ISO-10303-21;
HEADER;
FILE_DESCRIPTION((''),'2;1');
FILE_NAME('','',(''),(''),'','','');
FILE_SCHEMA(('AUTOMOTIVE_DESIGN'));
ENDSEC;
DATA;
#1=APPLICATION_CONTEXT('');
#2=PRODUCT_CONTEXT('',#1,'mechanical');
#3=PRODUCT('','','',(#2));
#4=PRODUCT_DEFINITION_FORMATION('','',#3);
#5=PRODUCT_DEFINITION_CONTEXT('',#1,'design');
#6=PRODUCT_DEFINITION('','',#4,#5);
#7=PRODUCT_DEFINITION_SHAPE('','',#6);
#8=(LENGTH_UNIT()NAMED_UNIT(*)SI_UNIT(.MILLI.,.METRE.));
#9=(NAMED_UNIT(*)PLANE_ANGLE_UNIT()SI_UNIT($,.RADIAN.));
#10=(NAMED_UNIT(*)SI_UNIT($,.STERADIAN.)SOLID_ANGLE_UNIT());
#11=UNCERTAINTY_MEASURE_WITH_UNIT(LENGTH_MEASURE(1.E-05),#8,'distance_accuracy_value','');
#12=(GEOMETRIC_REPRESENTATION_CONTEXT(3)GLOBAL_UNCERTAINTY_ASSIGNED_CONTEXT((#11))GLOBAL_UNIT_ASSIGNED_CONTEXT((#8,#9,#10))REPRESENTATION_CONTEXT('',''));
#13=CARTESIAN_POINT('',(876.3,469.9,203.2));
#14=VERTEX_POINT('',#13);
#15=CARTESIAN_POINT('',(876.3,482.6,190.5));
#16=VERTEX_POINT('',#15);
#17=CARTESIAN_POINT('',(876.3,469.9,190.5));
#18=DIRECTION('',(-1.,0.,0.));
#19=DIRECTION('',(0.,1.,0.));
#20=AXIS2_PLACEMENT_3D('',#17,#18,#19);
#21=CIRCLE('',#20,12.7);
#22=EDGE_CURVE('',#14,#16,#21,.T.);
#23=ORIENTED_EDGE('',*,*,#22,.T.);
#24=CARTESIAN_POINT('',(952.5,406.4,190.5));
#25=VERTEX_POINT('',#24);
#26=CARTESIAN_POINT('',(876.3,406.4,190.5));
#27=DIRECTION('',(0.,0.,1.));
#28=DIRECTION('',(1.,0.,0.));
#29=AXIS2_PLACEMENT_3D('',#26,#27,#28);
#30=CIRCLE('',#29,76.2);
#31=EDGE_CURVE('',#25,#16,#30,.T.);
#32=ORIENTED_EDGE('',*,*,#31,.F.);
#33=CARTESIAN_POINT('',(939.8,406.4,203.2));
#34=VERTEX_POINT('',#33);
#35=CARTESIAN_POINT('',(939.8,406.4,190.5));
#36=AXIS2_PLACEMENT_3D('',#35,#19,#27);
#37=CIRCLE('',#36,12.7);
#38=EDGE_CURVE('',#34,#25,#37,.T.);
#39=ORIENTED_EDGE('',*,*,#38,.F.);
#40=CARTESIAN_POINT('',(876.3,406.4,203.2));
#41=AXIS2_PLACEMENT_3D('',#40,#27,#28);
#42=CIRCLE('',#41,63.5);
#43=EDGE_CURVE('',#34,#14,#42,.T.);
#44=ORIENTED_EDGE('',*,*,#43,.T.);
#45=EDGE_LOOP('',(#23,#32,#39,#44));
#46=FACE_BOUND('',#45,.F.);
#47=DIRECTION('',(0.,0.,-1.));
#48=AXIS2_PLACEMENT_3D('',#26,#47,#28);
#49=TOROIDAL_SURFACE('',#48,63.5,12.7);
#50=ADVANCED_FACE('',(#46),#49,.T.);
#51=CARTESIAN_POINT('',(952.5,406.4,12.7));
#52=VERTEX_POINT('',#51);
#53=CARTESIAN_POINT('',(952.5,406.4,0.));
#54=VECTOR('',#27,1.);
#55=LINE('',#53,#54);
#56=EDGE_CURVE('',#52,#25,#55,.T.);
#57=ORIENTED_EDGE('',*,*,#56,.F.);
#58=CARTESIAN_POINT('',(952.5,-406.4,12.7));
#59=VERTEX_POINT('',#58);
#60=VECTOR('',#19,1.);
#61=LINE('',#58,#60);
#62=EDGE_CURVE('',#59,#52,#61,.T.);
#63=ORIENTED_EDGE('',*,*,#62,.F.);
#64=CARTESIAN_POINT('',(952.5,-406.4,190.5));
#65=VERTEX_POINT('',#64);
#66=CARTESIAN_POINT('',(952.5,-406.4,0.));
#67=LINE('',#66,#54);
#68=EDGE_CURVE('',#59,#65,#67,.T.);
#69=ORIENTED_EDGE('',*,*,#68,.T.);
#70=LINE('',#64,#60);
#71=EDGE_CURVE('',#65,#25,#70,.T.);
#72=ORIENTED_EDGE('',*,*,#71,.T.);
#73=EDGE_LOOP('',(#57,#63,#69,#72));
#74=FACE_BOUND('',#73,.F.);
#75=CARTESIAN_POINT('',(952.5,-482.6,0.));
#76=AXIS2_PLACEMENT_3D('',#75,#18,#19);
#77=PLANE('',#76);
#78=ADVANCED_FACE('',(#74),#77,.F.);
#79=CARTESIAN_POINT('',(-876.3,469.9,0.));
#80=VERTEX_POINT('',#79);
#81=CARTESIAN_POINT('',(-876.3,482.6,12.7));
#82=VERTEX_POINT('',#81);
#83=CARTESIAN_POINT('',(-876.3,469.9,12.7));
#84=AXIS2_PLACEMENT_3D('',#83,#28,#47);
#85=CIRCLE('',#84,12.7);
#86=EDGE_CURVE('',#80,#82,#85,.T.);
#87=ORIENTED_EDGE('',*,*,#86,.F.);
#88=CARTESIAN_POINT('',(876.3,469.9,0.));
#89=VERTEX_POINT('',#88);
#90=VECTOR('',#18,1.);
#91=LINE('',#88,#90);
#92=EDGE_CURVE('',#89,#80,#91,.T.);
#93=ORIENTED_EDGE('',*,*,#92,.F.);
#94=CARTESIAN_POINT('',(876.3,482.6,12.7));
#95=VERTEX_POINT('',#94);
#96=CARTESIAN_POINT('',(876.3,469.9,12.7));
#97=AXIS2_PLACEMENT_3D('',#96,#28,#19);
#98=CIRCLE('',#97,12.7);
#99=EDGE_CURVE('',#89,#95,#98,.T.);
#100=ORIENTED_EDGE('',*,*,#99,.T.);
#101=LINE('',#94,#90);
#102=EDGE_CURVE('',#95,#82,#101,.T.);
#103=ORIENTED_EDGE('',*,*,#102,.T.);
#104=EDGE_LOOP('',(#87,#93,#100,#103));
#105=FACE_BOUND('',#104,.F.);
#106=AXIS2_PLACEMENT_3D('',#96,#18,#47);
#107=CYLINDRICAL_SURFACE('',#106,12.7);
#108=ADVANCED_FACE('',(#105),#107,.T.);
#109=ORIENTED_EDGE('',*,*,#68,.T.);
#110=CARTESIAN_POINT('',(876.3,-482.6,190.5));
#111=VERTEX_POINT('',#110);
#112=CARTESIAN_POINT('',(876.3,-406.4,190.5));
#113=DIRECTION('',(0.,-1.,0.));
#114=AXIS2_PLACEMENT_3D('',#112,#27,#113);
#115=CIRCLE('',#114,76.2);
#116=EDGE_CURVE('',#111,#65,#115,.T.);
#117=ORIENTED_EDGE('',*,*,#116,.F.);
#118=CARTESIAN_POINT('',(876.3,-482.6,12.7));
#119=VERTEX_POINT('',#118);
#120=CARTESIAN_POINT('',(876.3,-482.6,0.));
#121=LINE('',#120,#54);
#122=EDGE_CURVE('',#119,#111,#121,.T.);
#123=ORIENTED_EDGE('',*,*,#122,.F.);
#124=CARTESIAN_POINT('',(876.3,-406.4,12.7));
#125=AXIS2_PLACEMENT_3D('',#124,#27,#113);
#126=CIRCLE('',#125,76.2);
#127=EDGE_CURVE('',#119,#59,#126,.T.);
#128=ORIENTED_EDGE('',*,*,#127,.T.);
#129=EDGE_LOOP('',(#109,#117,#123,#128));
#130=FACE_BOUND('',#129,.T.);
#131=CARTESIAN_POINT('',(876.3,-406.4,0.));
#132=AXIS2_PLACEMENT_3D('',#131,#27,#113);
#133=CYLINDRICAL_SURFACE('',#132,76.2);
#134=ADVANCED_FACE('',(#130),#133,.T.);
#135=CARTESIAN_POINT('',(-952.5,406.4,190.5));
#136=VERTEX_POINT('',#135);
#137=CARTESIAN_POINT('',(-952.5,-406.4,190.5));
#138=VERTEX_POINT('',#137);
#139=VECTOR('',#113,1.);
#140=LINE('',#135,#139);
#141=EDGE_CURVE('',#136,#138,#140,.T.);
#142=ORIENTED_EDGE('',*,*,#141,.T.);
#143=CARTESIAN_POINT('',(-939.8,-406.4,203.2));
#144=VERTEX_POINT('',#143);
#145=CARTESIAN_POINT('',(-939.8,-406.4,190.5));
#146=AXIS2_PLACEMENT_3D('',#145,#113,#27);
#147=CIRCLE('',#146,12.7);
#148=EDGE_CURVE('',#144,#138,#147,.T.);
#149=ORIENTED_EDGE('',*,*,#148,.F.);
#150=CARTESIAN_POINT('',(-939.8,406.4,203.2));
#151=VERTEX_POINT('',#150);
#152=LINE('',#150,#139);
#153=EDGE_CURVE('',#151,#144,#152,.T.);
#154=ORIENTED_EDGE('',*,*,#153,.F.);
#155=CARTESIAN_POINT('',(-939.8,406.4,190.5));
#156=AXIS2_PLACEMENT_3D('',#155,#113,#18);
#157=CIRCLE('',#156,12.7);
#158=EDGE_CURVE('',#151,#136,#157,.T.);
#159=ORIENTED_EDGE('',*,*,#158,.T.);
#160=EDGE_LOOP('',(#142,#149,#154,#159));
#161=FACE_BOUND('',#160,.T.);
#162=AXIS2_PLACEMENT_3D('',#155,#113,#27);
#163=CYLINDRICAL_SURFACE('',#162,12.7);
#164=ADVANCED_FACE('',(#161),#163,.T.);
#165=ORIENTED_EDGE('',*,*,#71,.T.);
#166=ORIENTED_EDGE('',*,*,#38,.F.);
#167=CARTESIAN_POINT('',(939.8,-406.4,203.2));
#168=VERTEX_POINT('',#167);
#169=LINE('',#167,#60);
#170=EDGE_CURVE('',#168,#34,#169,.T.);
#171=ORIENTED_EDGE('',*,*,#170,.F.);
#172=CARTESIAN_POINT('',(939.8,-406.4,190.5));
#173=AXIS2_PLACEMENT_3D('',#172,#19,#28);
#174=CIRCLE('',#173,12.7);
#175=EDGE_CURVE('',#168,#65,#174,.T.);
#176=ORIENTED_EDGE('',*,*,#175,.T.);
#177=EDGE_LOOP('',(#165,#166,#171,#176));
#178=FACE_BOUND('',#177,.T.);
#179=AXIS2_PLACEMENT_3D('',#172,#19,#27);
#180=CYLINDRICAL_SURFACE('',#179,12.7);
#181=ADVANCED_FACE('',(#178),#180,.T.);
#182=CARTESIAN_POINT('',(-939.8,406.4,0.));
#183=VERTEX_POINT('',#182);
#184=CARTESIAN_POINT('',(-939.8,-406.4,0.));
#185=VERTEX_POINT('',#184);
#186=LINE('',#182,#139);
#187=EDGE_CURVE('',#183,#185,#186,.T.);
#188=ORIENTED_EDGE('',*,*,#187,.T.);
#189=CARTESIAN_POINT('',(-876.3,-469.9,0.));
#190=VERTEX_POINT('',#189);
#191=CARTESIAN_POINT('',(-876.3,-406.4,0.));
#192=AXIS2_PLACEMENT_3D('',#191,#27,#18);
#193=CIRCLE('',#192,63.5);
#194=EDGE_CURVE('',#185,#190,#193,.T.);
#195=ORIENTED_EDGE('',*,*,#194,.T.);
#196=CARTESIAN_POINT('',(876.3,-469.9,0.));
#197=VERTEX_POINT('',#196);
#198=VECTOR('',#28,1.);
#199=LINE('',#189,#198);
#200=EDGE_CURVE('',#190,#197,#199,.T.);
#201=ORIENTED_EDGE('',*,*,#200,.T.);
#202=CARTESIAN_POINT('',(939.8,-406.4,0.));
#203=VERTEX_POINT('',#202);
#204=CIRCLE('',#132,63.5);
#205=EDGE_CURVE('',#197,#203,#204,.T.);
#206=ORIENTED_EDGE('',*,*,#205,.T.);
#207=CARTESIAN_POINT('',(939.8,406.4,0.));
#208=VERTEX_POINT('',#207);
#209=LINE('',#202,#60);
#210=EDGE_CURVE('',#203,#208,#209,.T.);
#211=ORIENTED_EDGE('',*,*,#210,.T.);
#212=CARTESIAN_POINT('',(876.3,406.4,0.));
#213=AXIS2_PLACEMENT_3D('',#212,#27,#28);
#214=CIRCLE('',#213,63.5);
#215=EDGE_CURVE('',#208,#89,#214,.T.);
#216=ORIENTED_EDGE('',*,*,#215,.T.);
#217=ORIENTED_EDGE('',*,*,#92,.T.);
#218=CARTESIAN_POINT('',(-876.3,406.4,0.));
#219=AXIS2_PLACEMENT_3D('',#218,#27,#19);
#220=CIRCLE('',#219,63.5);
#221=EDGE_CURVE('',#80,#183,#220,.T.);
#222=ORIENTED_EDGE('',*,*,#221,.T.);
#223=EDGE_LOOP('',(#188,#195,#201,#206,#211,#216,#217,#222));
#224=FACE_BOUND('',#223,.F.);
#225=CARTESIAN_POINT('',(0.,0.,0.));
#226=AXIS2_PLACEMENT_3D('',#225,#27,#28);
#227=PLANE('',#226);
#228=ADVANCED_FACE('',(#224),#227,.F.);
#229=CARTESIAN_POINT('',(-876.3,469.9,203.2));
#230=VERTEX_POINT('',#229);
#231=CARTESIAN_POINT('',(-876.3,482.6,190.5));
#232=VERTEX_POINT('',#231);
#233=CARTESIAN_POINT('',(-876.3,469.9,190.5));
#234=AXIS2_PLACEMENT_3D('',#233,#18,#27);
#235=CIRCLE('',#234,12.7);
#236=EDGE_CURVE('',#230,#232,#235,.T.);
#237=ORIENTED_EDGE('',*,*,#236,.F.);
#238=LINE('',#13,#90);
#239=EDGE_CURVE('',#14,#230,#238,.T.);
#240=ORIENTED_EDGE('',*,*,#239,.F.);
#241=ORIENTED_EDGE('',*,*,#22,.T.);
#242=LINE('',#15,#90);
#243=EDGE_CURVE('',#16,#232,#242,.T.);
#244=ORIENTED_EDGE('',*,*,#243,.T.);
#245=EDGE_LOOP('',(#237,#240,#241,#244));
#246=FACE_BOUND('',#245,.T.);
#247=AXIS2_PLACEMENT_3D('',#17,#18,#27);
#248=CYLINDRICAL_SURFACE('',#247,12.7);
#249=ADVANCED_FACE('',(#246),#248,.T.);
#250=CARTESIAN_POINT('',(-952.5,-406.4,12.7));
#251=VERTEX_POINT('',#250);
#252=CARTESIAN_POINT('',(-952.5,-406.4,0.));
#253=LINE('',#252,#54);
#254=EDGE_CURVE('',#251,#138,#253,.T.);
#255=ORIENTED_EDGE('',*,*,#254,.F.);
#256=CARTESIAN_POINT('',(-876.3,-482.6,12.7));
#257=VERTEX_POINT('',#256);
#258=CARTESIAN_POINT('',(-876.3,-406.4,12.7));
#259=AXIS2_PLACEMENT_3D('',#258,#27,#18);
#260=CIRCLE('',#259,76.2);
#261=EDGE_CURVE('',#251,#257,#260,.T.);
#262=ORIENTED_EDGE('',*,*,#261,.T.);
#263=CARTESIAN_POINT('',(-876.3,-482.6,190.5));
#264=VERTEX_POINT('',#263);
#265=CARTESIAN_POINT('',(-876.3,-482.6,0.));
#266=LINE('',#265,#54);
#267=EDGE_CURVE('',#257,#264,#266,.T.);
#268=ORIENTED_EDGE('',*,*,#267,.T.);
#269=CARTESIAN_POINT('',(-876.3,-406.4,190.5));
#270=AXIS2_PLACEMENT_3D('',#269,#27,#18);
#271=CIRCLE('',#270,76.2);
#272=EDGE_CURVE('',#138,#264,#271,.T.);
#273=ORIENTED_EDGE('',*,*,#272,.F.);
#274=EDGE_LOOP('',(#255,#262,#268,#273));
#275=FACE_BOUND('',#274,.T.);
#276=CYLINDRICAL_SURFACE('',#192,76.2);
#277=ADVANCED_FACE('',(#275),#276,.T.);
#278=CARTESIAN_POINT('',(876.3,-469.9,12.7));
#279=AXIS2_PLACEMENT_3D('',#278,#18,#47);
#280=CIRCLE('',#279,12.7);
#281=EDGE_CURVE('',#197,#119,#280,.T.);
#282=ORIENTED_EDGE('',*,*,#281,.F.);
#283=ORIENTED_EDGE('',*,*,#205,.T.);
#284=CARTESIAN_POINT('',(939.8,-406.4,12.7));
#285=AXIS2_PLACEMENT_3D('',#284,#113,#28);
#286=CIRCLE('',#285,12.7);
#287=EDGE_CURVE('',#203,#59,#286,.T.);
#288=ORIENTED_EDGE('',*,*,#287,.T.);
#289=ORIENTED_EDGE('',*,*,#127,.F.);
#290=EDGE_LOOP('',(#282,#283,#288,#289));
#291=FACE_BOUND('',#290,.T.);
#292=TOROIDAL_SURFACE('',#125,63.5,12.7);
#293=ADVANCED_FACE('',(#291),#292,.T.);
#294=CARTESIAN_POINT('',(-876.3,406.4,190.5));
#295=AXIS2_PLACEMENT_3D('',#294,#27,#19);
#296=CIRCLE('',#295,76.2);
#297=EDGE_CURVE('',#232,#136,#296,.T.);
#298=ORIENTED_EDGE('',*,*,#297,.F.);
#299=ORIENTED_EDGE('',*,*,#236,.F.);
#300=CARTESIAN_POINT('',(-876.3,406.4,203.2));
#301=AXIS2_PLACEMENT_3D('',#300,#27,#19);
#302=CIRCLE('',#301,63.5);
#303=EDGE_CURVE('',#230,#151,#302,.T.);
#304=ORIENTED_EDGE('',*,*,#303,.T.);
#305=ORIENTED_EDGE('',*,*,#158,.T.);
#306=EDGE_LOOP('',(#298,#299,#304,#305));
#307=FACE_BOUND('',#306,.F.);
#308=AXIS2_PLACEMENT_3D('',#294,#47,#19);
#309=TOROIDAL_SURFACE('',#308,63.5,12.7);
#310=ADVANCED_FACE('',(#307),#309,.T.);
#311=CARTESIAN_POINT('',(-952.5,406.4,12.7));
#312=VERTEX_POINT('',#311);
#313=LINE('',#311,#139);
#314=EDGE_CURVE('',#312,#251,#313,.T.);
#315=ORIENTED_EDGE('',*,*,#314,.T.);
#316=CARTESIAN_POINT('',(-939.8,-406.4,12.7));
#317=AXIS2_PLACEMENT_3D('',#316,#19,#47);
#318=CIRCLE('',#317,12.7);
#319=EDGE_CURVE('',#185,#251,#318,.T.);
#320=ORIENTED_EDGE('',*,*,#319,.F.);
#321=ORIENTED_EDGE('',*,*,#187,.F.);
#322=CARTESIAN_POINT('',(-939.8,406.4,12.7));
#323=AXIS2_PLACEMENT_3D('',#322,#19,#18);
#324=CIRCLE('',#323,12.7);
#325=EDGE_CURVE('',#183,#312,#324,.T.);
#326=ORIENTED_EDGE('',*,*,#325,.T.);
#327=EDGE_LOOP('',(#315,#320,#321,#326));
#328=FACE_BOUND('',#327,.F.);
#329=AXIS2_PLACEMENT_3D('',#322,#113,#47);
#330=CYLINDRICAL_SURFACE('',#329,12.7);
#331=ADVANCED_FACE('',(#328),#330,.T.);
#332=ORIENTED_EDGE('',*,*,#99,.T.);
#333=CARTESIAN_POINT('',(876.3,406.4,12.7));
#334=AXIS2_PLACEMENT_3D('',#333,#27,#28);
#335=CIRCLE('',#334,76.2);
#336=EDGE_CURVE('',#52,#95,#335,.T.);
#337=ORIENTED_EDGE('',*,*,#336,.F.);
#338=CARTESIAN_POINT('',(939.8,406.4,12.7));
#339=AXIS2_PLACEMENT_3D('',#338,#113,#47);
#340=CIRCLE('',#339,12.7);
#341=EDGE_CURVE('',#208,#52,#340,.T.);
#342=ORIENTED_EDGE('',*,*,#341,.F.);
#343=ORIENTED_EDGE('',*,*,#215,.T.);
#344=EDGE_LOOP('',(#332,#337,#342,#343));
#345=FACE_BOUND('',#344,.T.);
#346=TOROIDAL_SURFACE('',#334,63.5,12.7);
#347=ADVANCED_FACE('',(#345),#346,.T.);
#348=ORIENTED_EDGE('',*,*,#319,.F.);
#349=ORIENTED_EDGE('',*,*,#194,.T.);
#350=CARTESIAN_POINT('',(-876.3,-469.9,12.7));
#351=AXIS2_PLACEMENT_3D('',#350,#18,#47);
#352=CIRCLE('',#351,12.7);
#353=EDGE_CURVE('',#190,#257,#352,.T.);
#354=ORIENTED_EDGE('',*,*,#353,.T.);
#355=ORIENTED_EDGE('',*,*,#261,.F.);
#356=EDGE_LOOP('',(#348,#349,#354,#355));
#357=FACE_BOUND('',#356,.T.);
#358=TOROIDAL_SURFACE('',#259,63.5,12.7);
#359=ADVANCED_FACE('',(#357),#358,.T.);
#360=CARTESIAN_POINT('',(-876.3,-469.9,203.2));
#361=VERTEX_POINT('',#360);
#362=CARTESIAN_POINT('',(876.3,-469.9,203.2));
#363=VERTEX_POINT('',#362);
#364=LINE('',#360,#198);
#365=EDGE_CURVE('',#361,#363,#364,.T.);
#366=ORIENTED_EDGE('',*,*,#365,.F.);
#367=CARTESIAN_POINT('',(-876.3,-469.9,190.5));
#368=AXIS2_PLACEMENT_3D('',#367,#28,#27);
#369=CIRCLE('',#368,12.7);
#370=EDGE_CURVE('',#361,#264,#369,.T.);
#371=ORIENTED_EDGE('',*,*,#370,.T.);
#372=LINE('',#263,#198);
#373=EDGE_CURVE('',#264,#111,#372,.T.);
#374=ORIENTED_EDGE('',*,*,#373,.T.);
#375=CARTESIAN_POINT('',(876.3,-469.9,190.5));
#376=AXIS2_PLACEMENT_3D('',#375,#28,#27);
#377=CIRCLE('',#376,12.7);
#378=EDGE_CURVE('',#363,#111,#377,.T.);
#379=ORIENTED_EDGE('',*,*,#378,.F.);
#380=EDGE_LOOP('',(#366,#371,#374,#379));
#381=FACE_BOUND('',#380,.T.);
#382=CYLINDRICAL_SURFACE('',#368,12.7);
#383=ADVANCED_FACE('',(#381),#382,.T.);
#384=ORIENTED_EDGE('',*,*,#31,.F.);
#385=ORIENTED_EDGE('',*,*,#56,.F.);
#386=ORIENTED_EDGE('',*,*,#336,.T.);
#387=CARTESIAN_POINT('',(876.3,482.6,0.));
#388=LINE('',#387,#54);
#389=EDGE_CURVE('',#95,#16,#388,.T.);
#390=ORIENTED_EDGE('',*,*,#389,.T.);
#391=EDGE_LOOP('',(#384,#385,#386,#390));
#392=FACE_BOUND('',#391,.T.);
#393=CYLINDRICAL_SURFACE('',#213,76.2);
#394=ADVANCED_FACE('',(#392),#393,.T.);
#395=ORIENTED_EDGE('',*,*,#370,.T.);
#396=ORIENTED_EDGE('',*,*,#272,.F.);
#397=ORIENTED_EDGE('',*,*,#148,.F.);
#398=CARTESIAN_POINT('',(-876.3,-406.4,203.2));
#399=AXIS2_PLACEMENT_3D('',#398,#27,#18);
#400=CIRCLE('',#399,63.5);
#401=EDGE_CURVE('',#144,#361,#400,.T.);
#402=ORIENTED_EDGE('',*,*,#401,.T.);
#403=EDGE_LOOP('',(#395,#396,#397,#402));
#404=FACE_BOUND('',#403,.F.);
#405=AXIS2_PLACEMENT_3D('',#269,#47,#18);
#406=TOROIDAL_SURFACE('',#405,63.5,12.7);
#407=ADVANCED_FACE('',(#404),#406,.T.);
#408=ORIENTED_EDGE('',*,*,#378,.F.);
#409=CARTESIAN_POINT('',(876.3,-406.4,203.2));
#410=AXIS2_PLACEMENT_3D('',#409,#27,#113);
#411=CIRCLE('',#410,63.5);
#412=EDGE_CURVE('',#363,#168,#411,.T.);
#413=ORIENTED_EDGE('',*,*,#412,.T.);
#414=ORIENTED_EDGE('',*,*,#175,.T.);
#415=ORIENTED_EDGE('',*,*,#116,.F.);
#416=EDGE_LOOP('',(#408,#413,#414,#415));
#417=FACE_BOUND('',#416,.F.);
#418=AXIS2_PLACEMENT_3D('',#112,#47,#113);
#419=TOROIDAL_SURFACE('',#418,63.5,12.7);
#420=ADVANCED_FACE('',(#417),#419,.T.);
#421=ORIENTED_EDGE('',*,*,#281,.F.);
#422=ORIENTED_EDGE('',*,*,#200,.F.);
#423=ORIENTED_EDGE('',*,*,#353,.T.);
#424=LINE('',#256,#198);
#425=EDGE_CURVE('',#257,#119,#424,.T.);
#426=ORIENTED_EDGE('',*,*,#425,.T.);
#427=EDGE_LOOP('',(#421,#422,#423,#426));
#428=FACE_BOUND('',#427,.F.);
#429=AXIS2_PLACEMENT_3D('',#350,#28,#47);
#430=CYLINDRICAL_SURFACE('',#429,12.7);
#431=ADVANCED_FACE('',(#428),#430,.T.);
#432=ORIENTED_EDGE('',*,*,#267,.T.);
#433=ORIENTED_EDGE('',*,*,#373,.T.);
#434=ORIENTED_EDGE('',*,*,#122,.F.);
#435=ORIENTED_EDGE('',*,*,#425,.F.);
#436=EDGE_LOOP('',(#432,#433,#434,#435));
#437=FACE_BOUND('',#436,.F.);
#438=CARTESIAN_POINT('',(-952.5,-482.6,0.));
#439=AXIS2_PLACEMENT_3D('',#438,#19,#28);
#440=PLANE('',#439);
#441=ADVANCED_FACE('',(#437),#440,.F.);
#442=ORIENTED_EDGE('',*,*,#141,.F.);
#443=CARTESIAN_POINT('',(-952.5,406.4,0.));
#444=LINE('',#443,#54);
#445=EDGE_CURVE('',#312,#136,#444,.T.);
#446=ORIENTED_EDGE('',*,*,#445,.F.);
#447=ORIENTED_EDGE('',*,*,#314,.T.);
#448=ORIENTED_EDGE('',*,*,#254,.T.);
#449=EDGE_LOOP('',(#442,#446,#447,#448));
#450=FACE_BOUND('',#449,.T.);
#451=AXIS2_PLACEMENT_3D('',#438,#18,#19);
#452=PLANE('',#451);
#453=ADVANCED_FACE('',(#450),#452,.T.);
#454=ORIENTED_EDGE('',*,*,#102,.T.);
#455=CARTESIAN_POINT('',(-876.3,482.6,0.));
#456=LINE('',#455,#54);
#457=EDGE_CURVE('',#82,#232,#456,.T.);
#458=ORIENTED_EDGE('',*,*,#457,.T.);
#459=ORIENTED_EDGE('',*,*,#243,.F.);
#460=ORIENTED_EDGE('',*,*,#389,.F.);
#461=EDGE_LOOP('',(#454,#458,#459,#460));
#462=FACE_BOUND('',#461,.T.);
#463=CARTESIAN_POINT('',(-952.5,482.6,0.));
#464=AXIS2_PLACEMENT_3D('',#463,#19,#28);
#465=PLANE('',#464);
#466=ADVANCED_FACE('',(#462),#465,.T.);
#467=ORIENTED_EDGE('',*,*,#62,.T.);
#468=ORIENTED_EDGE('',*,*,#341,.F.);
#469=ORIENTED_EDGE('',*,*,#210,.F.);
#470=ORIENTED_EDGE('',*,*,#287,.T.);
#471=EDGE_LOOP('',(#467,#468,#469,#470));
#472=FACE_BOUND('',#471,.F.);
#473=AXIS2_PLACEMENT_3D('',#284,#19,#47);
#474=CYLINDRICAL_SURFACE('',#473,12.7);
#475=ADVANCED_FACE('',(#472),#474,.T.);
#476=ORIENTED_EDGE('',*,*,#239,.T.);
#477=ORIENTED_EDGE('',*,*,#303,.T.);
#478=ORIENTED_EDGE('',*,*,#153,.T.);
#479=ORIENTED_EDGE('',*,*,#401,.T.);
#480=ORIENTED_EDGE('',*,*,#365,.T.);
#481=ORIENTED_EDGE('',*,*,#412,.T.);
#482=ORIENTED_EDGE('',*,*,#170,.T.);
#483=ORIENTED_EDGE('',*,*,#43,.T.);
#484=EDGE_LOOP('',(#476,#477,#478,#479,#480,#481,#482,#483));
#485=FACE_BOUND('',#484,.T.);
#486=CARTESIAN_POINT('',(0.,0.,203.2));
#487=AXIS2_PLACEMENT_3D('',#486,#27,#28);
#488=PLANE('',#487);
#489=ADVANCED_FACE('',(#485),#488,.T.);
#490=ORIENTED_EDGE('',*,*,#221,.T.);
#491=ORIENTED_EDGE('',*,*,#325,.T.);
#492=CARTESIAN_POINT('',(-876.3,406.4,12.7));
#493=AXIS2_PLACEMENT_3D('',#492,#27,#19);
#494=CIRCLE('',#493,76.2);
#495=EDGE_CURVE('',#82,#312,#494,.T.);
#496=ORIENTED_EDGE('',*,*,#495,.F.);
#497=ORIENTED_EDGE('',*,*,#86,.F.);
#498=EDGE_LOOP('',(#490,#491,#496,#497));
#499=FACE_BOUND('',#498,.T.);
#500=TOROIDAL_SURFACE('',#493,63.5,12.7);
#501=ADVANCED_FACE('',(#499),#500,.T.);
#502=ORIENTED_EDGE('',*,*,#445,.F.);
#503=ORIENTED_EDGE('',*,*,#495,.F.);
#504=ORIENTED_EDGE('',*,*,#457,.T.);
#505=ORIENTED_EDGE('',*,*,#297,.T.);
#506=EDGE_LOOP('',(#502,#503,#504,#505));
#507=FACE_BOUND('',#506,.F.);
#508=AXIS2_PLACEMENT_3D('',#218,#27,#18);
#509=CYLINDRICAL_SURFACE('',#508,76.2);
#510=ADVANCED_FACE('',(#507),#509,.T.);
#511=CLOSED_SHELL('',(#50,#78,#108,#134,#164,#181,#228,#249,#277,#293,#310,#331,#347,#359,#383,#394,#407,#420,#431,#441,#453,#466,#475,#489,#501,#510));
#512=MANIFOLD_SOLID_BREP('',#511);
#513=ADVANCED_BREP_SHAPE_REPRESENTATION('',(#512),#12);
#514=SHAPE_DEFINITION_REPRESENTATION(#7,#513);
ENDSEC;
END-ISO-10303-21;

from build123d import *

# Parameters (mm, degrees)
F0_W     = 1905
F0_H     = 965.2
F1_DEPTH = 203.2
F2_R     = 76.2
F3_R     = 12.7


with BuildPart() as f1:
    # F0 (on Top) → F1 (new body)
    with BuildSketch(Plane.XY):
        Rectangle(F0_W, F0_H)
    extrude(amount=F1_DEPTH)

    # F2
    f2_edges = [f1.edges().sort_by_distance(p)[0] for p in [
        (-952.5, -482.6, 101.6),
        (952.5, -482.6, 101.6),
        (952.5, 482.6, 101.6),
        (-952.5, 482.6, 101.6),
    ]]
    fillet(f2_edges, radius=F2_R)

    # F3
    f3_edges = [f1.edges().sort_by_distance(p)[0] for p in [
        (0, -482.6, 203.2),
        (0, -482.6, 0),
    ]]
    fillet(f3_edges, radius=F3_R)


solid = f1.part
